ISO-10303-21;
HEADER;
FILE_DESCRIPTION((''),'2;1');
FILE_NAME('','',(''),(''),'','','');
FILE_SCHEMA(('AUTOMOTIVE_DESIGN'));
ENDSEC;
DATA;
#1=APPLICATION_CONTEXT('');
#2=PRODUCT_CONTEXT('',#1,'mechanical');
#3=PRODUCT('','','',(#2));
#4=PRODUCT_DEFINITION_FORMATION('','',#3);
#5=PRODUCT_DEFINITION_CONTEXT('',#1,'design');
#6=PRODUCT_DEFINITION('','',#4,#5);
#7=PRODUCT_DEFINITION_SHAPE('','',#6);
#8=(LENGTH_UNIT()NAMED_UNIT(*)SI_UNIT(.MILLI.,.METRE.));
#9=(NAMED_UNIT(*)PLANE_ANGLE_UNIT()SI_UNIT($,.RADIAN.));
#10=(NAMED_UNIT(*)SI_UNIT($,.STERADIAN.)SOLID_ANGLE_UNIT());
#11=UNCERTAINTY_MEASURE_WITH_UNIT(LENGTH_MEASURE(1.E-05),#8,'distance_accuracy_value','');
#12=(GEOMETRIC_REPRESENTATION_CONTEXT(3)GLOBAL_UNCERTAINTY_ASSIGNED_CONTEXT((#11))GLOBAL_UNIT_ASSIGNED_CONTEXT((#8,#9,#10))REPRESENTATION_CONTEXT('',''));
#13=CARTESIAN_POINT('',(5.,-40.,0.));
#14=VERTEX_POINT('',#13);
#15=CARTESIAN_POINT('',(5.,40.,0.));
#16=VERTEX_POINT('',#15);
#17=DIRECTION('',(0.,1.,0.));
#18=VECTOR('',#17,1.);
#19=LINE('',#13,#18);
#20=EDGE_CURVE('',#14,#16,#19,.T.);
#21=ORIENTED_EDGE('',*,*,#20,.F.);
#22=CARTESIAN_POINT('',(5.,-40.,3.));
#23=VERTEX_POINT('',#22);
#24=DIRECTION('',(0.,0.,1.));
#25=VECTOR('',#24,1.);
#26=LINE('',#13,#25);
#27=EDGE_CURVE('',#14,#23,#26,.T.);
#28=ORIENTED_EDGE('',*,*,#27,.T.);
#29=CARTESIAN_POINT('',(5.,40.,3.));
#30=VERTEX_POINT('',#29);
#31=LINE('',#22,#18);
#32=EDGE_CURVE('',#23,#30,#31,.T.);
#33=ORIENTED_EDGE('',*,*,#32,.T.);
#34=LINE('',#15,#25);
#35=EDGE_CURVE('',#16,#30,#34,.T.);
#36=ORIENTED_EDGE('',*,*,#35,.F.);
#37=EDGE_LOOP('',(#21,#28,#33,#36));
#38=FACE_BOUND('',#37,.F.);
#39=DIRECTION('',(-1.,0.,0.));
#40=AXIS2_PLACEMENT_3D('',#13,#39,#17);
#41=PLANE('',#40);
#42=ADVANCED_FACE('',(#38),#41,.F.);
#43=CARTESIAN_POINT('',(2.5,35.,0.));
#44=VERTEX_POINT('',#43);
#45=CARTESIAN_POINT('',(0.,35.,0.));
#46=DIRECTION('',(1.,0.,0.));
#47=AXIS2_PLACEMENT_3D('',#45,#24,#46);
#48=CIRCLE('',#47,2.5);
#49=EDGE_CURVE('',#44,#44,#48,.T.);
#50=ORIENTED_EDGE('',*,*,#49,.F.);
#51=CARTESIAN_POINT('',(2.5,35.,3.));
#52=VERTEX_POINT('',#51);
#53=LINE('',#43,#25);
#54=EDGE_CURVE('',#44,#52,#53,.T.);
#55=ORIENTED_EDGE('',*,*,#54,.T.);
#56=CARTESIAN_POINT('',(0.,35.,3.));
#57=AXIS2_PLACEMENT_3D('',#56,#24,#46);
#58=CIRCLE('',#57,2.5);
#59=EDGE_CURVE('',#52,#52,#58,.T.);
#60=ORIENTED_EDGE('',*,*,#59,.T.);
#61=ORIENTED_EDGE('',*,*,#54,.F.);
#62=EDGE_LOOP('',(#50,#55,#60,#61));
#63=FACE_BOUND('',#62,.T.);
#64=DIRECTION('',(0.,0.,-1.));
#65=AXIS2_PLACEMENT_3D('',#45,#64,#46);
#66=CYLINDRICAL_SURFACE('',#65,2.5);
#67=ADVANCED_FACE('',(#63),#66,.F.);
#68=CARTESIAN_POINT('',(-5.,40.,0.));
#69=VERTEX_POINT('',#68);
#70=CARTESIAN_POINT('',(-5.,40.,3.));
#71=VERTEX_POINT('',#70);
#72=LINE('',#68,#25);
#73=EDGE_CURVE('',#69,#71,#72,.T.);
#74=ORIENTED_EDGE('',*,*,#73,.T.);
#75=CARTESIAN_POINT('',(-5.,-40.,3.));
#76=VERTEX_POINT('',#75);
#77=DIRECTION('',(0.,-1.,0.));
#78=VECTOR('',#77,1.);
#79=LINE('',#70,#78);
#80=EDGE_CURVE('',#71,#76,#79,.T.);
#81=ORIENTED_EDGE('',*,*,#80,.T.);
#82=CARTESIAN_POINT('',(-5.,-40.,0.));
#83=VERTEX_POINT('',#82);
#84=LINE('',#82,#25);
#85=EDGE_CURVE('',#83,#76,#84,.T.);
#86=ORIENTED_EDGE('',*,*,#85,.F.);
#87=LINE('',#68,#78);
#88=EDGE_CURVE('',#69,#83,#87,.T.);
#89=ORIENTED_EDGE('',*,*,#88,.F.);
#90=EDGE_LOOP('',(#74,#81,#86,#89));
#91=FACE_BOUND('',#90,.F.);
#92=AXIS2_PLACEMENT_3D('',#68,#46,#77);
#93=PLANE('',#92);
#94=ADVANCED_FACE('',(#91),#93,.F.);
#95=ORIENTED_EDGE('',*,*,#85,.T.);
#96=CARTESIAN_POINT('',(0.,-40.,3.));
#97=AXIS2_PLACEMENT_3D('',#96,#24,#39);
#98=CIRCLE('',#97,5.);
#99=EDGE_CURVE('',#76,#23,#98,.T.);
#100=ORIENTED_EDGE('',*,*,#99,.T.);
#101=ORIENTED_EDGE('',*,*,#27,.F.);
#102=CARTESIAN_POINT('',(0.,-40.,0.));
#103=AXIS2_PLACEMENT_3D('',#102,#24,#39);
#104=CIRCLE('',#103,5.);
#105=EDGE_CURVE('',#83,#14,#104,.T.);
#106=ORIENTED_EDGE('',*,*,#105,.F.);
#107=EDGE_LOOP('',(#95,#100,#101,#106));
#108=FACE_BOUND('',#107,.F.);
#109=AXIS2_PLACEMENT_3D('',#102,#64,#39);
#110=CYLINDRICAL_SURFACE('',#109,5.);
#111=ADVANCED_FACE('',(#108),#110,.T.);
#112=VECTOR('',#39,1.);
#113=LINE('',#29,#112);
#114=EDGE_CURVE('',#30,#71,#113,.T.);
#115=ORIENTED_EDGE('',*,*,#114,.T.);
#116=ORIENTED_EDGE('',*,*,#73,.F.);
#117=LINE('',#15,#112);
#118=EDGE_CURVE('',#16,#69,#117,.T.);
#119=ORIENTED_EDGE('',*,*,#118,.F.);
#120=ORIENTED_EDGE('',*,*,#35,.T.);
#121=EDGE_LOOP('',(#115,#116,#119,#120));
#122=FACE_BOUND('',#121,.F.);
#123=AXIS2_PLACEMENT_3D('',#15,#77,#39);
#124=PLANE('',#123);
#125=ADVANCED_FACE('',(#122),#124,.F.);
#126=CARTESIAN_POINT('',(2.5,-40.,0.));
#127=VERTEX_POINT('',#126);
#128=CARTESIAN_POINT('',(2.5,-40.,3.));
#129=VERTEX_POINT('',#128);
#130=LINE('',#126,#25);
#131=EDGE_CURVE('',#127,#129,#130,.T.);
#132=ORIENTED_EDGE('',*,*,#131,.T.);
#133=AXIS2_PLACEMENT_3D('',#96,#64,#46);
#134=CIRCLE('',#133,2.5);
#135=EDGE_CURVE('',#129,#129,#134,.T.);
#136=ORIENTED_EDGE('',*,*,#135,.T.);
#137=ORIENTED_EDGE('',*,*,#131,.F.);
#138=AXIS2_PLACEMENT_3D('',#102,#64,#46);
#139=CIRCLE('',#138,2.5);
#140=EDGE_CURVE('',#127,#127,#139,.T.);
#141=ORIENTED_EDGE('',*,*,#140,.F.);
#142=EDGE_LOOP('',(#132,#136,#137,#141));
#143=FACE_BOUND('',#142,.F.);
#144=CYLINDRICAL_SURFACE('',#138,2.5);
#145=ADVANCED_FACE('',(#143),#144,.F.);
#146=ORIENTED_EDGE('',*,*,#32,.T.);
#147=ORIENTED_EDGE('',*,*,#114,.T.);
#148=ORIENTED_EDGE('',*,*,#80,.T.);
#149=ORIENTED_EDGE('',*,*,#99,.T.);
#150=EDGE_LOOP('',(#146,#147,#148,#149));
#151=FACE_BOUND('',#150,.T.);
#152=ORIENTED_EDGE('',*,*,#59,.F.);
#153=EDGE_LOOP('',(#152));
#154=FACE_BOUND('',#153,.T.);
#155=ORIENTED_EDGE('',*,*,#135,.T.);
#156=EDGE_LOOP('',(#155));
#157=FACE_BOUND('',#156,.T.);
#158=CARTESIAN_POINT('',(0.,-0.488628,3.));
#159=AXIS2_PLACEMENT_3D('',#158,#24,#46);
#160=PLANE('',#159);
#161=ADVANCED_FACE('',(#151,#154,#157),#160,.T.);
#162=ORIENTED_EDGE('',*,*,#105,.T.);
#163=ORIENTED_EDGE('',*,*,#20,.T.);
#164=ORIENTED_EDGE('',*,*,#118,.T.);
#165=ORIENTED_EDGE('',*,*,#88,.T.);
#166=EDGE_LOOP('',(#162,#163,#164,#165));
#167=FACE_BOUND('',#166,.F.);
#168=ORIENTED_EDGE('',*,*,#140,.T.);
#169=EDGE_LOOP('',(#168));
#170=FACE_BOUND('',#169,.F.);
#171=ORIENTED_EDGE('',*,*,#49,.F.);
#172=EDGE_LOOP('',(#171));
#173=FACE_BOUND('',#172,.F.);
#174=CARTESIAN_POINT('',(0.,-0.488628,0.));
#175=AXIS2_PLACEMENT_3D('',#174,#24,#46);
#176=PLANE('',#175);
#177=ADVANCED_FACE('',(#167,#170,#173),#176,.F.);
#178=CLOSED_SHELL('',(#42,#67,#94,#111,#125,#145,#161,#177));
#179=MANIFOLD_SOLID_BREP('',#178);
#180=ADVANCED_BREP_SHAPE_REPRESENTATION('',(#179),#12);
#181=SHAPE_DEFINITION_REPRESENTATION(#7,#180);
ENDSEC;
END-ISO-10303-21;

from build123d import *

# Parameters (mm, degrees)
F0_R     = 2.5
F1_DEPTH = 3


with BuildPart() as f1:
    # F0 (on Top) → F1 (new body)
    with BuildSketch(Plane.XY):
        with BuildLine():
            ThreePointArc((-2.5, -40), (0, -37.5), (2.5, -40))
            Line((2.5, -40), (5, -40))
            Line((5, -40), (5, 40))
            Line((5, 40), (-5, 40))
            Line((-5, 40), (-5, -40))
            Line((-5, -40), (-2.5, -40))
        make_face()
        with Locations((0, 35)):
            Circle(F0_R, mode=Mode.SUBTRACT)
        with BuildLine():
            Line((5, -40), (2.5, -40))
            ThreePointArc((2.5, -40), (0, -42.5), (-2.5, -40))
            Line((-2.5, -40), (-5, -40))
            ThreePointArc((-5, -40), (0, -45), (5, -40))
        make_face()
    extrude(amount=F1_DEPTH)


solid = f1.part
